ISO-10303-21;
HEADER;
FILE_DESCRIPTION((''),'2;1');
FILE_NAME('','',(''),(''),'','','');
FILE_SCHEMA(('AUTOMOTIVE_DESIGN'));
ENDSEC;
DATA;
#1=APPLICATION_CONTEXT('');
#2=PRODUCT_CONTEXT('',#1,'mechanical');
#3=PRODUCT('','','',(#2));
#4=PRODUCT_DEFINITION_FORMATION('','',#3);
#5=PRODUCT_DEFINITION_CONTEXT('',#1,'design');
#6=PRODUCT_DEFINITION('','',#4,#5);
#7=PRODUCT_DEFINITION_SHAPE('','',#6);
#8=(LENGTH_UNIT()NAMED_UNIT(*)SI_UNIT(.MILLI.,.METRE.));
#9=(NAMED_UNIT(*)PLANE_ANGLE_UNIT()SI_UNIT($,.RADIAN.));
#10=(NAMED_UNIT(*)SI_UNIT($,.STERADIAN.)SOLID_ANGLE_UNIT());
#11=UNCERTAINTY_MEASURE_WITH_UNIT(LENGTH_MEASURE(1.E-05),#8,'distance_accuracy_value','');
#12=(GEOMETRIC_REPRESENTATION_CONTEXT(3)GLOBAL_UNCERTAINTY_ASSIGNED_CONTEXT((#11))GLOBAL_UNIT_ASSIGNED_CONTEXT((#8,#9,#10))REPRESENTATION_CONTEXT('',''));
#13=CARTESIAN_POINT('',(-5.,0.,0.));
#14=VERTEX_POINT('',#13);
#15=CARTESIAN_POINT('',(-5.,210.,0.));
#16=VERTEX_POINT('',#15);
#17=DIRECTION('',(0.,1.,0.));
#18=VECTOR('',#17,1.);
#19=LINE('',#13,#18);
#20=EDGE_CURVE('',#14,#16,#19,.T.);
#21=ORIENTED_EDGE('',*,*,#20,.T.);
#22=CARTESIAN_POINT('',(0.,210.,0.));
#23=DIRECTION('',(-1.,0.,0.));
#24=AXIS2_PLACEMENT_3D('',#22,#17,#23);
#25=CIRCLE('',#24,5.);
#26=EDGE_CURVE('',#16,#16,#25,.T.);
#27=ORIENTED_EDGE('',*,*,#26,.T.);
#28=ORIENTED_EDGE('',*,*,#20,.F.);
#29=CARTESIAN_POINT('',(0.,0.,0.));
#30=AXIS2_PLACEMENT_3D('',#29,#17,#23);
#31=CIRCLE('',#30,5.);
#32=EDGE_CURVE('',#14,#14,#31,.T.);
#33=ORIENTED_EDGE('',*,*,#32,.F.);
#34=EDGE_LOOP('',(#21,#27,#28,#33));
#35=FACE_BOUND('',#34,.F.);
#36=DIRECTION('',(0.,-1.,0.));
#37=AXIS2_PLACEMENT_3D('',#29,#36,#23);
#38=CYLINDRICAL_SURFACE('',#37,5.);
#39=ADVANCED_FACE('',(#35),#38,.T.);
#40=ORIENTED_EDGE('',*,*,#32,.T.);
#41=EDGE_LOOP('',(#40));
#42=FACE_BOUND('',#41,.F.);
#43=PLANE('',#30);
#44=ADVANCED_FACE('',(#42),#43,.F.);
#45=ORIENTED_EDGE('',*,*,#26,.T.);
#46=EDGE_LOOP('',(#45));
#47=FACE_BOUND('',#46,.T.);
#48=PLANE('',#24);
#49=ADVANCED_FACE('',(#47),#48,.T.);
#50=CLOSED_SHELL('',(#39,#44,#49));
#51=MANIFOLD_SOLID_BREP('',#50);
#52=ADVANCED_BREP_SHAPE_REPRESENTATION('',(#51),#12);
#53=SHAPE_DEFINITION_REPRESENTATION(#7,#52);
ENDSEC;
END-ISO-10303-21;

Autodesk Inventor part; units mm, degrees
ref_plane "YZ Plane" through (0, 0, 0) normal (1, 0, 0) x (0, 1, 0)
ref_plane "XZ Plane" through (0, 0, 0) normal (0, 1, 0) x (-1, 0, 0)
ref_plane "XY Plane" through (0, 0, 0) normal (0, 0, 1) x (1, 0, 0)
sketch "Sketch1" plane through (0, 0, 0) normal (0, 1, 0) x (-1, 0, 0)
  circle A0 centre (0, 0) radius 5
  dimension "d0" = 10
extrude "Extrusion1" add sketch "Sketch1" along normal blind 210
properties part number "shaft5"
